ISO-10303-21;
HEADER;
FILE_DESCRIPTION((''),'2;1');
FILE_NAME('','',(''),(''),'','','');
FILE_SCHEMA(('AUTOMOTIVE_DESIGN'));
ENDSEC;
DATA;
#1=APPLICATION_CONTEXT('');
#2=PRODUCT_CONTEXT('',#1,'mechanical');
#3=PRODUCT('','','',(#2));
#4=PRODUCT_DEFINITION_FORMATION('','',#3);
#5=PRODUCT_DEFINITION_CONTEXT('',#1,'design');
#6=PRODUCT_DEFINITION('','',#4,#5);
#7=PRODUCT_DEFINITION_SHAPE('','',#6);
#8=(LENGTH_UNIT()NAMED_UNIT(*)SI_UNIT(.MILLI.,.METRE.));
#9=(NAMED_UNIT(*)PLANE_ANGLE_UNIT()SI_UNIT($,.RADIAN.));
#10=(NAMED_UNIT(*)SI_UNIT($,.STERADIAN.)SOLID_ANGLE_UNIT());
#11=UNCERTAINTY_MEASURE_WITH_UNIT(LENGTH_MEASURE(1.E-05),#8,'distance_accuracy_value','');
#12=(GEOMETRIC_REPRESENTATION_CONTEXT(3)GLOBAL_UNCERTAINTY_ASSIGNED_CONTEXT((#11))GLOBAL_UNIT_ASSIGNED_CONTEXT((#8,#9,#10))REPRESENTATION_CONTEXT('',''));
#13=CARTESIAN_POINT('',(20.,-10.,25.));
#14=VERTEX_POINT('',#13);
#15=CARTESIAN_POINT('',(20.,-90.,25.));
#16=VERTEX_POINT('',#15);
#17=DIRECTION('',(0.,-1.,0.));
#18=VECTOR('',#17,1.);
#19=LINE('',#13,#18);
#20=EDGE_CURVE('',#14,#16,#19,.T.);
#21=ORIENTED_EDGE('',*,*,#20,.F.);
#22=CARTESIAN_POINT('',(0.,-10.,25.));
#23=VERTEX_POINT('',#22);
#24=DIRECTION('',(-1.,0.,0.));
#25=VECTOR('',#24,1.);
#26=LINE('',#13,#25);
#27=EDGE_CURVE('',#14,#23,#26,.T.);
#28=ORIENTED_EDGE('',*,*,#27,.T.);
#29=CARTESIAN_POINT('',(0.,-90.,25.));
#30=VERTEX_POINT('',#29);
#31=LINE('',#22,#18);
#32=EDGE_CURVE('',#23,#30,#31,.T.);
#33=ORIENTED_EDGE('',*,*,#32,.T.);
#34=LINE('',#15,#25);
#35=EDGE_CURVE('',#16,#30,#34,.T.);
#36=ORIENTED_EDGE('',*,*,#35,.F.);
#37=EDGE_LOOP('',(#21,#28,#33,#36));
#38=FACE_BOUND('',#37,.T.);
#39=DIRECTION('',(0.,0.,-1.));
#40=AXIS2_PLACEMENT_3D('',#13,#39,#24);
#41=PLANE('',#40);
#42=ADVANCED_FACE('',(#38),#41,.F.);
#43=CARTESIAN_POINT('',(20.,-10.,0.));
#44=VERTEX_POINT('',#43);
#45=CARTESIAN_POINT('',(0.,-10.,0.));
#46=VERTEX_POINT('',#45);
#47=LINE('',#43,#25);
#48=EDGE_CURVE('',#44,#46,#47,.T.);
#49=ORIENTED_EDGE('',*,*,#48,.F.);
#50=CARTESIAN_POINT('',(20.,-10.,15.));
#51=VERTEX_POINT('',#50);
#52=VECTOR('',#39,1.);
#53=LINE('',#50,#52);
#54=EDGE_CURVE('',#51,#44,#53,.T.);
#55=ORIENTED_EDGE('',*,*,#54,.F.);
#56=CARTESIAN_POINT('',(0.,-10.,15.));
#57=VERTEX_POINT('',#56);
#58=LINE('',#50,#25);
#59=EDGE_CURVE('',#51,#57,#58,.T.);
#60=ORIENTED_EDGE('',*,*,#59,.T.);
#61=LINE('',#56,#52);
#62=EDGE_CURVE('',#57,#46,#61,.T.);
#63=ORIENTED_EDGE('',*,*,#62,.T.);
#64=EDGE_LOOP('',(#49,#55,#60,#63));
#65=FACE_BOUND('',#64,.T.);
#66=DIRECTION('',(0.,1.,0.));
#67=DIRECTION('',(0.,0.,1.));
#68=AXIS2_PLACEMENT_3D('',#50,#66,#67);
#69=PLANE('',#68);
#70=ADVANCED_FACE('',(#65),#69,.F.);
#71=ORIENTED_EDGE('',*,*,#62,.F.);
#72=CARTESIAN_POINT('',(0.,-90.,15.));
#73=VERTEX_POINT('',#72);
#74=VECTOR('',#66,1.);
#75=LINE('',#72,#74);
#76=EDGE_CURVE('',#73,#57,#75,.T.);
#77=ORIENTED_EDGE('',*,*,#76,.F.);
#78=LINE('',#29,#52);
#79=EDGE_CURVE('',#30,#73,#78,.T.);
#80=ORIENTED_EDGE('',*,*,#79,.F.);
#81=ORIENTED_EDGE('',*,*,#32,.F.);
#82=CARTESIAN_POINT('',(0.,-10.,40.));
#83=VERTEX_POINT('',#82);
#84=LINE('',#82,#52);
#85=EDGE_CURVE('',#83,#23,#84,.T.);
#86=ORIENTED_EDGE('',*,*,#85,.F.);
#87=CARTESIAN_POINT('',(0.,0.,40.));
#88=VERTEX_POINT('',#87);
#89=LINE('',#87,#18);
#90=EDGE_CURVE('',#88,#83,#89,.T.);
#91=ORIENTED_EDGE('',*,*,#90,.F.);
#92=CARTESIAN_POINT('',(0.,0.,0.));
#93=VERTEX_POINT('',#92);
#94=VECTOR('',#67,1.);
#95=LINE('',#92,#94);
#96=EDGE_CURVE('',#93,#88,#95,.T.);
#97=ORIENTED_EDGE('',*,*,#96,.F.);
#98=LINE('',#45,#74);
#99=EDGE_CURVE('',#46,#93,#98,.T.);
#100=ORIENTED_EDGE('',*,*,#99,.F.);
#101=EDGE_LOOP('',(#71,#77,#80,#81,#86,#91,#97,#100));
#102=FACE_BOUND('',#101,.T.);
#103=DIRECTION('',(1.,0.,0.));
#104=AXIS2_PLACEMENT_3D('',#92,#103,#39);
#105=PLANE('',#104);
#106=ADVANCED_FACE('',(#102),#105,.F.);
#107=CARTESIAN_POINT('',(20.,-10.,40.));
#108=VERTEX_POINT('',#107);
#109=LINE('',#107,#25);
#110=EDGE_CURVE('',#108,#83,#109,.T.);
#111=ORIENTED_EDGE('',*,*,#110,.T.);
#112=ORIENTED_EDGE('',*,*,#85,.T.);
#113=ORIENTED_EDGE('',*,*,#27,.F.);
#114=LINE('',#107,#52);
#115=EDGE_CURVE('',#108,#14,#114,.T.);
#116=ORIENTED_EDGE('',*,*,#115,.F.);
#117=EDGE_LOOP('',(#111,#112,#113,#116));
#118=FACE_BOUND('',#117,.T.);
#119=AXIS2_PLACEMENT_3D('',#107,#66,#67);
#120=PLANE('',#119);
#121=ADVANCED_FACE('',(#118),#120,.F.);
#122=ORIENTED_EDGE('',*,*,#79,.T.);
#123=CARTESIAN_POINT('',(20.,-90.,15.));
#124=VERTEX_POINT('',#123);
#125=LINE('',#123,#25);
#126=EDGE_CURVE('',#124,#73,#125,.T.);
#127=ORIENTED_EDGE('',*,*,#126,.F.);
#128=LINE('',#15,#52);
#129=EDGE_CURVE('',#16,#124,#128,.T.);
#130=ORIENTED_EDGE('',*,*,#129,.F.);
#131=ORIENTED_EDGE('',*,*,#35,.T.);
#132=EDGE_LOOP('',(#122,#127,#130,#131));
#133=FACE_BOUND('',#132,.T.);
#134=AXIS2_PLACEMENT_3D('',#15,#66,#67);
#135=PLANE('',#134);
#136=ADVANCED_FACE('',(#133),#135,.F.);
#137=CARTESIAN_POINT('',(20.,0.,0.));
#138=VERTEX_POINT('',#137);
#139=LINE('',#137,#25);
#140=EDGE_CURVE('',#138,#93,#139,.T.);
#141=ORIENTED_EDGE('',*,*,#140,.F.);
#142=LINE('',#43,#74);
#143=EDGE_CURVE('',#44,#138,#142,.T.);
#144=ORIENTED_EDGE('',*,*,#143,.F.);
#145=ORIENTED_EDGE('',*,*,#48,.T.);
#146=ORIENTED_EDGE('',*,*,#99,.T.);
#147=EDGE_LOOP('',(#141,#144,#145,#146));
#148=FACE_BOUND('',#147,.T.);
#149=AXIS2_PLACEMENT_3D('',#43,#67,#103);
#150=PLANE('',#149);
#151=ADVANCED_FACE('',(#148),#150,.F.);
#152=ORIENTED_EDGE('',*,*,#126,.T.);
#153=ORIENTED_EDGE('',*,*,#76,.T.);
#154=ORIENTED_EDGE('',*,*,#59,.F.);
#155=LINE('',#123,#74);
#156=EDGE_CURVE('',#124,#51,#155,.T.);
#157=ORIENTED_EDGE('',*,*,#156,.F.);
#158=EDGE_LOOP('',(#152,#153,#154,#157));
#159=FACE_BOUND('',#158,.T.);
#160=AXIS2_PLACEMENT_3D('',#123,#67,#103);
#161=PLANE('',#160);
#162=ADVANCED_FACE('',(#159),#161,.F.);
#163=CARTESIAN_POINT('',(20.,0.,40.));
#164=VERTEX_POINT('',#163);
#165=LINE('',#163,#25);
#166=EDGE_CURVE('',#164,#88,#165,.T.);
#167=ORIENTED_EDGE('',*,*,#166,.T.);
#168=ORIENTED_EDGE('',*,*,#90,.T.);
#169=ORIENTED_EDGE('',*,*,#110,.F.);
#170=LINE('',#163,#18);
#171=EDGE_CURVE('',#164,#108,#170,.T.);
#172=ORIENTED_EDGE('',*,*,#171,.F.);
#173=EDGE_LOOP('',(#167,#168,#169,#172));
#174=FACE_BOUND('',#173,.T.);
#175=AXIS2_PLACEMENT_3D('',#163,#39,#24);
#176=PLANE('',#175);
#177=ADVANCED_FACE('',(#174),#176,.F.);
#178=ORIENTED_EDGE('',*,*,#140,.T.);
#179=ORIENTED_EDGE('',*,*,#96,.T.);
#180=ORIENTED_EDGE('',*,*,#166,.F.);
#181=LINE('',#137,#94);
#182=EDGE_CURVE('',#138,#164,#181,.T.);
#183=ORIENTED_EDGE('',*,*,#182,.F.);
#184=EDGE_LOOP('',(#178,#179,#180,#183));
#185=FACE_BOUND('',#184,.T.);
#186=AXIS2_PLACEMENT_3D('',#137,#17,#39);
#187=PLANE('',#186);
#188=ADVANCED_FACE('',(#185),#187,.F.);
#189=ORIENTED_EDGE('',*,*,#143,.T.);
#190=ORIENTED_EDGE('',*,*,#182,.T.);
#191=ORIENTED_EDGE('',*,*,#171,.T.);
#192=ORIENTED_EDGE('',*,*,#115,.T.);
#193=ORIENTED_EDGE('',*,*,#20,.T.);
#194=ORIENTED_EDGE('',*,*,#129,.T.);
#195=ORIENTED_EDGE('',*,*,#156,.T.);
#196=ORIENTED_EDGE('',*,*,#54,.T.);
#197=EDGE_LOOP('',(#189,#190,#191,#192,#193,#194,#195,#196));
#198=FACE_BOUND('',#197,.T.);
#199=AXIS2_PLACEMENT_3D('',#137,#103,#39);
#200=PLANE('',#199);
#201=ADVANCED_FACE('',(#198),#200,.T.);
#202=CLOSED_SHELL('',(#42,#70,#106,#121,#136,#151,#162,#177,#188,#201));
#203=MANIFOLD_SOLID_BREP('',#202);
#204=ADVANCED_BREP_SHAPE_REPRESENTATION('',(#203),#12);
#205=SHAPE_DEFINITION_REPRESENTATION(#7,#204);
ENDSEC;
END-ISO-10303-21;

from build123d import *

# Parameters (mm, degrees)
BOSS_EXTRUDE1_DEPTH = 20


with BuildPart() as part:
    # Sketch2 → Boss-Extrude1 (new body)
    with BuildSketch(Plane.YZ):
        Polygon((0, 0), (0, 40), (-10, 40), (-10, 25), (-90, 25), (-90, 15), (-10, 15), (-10, 0), align=None)
    extrude(amount=BOSS_EXTRUDE1_DEPTH)


solid = part.part
